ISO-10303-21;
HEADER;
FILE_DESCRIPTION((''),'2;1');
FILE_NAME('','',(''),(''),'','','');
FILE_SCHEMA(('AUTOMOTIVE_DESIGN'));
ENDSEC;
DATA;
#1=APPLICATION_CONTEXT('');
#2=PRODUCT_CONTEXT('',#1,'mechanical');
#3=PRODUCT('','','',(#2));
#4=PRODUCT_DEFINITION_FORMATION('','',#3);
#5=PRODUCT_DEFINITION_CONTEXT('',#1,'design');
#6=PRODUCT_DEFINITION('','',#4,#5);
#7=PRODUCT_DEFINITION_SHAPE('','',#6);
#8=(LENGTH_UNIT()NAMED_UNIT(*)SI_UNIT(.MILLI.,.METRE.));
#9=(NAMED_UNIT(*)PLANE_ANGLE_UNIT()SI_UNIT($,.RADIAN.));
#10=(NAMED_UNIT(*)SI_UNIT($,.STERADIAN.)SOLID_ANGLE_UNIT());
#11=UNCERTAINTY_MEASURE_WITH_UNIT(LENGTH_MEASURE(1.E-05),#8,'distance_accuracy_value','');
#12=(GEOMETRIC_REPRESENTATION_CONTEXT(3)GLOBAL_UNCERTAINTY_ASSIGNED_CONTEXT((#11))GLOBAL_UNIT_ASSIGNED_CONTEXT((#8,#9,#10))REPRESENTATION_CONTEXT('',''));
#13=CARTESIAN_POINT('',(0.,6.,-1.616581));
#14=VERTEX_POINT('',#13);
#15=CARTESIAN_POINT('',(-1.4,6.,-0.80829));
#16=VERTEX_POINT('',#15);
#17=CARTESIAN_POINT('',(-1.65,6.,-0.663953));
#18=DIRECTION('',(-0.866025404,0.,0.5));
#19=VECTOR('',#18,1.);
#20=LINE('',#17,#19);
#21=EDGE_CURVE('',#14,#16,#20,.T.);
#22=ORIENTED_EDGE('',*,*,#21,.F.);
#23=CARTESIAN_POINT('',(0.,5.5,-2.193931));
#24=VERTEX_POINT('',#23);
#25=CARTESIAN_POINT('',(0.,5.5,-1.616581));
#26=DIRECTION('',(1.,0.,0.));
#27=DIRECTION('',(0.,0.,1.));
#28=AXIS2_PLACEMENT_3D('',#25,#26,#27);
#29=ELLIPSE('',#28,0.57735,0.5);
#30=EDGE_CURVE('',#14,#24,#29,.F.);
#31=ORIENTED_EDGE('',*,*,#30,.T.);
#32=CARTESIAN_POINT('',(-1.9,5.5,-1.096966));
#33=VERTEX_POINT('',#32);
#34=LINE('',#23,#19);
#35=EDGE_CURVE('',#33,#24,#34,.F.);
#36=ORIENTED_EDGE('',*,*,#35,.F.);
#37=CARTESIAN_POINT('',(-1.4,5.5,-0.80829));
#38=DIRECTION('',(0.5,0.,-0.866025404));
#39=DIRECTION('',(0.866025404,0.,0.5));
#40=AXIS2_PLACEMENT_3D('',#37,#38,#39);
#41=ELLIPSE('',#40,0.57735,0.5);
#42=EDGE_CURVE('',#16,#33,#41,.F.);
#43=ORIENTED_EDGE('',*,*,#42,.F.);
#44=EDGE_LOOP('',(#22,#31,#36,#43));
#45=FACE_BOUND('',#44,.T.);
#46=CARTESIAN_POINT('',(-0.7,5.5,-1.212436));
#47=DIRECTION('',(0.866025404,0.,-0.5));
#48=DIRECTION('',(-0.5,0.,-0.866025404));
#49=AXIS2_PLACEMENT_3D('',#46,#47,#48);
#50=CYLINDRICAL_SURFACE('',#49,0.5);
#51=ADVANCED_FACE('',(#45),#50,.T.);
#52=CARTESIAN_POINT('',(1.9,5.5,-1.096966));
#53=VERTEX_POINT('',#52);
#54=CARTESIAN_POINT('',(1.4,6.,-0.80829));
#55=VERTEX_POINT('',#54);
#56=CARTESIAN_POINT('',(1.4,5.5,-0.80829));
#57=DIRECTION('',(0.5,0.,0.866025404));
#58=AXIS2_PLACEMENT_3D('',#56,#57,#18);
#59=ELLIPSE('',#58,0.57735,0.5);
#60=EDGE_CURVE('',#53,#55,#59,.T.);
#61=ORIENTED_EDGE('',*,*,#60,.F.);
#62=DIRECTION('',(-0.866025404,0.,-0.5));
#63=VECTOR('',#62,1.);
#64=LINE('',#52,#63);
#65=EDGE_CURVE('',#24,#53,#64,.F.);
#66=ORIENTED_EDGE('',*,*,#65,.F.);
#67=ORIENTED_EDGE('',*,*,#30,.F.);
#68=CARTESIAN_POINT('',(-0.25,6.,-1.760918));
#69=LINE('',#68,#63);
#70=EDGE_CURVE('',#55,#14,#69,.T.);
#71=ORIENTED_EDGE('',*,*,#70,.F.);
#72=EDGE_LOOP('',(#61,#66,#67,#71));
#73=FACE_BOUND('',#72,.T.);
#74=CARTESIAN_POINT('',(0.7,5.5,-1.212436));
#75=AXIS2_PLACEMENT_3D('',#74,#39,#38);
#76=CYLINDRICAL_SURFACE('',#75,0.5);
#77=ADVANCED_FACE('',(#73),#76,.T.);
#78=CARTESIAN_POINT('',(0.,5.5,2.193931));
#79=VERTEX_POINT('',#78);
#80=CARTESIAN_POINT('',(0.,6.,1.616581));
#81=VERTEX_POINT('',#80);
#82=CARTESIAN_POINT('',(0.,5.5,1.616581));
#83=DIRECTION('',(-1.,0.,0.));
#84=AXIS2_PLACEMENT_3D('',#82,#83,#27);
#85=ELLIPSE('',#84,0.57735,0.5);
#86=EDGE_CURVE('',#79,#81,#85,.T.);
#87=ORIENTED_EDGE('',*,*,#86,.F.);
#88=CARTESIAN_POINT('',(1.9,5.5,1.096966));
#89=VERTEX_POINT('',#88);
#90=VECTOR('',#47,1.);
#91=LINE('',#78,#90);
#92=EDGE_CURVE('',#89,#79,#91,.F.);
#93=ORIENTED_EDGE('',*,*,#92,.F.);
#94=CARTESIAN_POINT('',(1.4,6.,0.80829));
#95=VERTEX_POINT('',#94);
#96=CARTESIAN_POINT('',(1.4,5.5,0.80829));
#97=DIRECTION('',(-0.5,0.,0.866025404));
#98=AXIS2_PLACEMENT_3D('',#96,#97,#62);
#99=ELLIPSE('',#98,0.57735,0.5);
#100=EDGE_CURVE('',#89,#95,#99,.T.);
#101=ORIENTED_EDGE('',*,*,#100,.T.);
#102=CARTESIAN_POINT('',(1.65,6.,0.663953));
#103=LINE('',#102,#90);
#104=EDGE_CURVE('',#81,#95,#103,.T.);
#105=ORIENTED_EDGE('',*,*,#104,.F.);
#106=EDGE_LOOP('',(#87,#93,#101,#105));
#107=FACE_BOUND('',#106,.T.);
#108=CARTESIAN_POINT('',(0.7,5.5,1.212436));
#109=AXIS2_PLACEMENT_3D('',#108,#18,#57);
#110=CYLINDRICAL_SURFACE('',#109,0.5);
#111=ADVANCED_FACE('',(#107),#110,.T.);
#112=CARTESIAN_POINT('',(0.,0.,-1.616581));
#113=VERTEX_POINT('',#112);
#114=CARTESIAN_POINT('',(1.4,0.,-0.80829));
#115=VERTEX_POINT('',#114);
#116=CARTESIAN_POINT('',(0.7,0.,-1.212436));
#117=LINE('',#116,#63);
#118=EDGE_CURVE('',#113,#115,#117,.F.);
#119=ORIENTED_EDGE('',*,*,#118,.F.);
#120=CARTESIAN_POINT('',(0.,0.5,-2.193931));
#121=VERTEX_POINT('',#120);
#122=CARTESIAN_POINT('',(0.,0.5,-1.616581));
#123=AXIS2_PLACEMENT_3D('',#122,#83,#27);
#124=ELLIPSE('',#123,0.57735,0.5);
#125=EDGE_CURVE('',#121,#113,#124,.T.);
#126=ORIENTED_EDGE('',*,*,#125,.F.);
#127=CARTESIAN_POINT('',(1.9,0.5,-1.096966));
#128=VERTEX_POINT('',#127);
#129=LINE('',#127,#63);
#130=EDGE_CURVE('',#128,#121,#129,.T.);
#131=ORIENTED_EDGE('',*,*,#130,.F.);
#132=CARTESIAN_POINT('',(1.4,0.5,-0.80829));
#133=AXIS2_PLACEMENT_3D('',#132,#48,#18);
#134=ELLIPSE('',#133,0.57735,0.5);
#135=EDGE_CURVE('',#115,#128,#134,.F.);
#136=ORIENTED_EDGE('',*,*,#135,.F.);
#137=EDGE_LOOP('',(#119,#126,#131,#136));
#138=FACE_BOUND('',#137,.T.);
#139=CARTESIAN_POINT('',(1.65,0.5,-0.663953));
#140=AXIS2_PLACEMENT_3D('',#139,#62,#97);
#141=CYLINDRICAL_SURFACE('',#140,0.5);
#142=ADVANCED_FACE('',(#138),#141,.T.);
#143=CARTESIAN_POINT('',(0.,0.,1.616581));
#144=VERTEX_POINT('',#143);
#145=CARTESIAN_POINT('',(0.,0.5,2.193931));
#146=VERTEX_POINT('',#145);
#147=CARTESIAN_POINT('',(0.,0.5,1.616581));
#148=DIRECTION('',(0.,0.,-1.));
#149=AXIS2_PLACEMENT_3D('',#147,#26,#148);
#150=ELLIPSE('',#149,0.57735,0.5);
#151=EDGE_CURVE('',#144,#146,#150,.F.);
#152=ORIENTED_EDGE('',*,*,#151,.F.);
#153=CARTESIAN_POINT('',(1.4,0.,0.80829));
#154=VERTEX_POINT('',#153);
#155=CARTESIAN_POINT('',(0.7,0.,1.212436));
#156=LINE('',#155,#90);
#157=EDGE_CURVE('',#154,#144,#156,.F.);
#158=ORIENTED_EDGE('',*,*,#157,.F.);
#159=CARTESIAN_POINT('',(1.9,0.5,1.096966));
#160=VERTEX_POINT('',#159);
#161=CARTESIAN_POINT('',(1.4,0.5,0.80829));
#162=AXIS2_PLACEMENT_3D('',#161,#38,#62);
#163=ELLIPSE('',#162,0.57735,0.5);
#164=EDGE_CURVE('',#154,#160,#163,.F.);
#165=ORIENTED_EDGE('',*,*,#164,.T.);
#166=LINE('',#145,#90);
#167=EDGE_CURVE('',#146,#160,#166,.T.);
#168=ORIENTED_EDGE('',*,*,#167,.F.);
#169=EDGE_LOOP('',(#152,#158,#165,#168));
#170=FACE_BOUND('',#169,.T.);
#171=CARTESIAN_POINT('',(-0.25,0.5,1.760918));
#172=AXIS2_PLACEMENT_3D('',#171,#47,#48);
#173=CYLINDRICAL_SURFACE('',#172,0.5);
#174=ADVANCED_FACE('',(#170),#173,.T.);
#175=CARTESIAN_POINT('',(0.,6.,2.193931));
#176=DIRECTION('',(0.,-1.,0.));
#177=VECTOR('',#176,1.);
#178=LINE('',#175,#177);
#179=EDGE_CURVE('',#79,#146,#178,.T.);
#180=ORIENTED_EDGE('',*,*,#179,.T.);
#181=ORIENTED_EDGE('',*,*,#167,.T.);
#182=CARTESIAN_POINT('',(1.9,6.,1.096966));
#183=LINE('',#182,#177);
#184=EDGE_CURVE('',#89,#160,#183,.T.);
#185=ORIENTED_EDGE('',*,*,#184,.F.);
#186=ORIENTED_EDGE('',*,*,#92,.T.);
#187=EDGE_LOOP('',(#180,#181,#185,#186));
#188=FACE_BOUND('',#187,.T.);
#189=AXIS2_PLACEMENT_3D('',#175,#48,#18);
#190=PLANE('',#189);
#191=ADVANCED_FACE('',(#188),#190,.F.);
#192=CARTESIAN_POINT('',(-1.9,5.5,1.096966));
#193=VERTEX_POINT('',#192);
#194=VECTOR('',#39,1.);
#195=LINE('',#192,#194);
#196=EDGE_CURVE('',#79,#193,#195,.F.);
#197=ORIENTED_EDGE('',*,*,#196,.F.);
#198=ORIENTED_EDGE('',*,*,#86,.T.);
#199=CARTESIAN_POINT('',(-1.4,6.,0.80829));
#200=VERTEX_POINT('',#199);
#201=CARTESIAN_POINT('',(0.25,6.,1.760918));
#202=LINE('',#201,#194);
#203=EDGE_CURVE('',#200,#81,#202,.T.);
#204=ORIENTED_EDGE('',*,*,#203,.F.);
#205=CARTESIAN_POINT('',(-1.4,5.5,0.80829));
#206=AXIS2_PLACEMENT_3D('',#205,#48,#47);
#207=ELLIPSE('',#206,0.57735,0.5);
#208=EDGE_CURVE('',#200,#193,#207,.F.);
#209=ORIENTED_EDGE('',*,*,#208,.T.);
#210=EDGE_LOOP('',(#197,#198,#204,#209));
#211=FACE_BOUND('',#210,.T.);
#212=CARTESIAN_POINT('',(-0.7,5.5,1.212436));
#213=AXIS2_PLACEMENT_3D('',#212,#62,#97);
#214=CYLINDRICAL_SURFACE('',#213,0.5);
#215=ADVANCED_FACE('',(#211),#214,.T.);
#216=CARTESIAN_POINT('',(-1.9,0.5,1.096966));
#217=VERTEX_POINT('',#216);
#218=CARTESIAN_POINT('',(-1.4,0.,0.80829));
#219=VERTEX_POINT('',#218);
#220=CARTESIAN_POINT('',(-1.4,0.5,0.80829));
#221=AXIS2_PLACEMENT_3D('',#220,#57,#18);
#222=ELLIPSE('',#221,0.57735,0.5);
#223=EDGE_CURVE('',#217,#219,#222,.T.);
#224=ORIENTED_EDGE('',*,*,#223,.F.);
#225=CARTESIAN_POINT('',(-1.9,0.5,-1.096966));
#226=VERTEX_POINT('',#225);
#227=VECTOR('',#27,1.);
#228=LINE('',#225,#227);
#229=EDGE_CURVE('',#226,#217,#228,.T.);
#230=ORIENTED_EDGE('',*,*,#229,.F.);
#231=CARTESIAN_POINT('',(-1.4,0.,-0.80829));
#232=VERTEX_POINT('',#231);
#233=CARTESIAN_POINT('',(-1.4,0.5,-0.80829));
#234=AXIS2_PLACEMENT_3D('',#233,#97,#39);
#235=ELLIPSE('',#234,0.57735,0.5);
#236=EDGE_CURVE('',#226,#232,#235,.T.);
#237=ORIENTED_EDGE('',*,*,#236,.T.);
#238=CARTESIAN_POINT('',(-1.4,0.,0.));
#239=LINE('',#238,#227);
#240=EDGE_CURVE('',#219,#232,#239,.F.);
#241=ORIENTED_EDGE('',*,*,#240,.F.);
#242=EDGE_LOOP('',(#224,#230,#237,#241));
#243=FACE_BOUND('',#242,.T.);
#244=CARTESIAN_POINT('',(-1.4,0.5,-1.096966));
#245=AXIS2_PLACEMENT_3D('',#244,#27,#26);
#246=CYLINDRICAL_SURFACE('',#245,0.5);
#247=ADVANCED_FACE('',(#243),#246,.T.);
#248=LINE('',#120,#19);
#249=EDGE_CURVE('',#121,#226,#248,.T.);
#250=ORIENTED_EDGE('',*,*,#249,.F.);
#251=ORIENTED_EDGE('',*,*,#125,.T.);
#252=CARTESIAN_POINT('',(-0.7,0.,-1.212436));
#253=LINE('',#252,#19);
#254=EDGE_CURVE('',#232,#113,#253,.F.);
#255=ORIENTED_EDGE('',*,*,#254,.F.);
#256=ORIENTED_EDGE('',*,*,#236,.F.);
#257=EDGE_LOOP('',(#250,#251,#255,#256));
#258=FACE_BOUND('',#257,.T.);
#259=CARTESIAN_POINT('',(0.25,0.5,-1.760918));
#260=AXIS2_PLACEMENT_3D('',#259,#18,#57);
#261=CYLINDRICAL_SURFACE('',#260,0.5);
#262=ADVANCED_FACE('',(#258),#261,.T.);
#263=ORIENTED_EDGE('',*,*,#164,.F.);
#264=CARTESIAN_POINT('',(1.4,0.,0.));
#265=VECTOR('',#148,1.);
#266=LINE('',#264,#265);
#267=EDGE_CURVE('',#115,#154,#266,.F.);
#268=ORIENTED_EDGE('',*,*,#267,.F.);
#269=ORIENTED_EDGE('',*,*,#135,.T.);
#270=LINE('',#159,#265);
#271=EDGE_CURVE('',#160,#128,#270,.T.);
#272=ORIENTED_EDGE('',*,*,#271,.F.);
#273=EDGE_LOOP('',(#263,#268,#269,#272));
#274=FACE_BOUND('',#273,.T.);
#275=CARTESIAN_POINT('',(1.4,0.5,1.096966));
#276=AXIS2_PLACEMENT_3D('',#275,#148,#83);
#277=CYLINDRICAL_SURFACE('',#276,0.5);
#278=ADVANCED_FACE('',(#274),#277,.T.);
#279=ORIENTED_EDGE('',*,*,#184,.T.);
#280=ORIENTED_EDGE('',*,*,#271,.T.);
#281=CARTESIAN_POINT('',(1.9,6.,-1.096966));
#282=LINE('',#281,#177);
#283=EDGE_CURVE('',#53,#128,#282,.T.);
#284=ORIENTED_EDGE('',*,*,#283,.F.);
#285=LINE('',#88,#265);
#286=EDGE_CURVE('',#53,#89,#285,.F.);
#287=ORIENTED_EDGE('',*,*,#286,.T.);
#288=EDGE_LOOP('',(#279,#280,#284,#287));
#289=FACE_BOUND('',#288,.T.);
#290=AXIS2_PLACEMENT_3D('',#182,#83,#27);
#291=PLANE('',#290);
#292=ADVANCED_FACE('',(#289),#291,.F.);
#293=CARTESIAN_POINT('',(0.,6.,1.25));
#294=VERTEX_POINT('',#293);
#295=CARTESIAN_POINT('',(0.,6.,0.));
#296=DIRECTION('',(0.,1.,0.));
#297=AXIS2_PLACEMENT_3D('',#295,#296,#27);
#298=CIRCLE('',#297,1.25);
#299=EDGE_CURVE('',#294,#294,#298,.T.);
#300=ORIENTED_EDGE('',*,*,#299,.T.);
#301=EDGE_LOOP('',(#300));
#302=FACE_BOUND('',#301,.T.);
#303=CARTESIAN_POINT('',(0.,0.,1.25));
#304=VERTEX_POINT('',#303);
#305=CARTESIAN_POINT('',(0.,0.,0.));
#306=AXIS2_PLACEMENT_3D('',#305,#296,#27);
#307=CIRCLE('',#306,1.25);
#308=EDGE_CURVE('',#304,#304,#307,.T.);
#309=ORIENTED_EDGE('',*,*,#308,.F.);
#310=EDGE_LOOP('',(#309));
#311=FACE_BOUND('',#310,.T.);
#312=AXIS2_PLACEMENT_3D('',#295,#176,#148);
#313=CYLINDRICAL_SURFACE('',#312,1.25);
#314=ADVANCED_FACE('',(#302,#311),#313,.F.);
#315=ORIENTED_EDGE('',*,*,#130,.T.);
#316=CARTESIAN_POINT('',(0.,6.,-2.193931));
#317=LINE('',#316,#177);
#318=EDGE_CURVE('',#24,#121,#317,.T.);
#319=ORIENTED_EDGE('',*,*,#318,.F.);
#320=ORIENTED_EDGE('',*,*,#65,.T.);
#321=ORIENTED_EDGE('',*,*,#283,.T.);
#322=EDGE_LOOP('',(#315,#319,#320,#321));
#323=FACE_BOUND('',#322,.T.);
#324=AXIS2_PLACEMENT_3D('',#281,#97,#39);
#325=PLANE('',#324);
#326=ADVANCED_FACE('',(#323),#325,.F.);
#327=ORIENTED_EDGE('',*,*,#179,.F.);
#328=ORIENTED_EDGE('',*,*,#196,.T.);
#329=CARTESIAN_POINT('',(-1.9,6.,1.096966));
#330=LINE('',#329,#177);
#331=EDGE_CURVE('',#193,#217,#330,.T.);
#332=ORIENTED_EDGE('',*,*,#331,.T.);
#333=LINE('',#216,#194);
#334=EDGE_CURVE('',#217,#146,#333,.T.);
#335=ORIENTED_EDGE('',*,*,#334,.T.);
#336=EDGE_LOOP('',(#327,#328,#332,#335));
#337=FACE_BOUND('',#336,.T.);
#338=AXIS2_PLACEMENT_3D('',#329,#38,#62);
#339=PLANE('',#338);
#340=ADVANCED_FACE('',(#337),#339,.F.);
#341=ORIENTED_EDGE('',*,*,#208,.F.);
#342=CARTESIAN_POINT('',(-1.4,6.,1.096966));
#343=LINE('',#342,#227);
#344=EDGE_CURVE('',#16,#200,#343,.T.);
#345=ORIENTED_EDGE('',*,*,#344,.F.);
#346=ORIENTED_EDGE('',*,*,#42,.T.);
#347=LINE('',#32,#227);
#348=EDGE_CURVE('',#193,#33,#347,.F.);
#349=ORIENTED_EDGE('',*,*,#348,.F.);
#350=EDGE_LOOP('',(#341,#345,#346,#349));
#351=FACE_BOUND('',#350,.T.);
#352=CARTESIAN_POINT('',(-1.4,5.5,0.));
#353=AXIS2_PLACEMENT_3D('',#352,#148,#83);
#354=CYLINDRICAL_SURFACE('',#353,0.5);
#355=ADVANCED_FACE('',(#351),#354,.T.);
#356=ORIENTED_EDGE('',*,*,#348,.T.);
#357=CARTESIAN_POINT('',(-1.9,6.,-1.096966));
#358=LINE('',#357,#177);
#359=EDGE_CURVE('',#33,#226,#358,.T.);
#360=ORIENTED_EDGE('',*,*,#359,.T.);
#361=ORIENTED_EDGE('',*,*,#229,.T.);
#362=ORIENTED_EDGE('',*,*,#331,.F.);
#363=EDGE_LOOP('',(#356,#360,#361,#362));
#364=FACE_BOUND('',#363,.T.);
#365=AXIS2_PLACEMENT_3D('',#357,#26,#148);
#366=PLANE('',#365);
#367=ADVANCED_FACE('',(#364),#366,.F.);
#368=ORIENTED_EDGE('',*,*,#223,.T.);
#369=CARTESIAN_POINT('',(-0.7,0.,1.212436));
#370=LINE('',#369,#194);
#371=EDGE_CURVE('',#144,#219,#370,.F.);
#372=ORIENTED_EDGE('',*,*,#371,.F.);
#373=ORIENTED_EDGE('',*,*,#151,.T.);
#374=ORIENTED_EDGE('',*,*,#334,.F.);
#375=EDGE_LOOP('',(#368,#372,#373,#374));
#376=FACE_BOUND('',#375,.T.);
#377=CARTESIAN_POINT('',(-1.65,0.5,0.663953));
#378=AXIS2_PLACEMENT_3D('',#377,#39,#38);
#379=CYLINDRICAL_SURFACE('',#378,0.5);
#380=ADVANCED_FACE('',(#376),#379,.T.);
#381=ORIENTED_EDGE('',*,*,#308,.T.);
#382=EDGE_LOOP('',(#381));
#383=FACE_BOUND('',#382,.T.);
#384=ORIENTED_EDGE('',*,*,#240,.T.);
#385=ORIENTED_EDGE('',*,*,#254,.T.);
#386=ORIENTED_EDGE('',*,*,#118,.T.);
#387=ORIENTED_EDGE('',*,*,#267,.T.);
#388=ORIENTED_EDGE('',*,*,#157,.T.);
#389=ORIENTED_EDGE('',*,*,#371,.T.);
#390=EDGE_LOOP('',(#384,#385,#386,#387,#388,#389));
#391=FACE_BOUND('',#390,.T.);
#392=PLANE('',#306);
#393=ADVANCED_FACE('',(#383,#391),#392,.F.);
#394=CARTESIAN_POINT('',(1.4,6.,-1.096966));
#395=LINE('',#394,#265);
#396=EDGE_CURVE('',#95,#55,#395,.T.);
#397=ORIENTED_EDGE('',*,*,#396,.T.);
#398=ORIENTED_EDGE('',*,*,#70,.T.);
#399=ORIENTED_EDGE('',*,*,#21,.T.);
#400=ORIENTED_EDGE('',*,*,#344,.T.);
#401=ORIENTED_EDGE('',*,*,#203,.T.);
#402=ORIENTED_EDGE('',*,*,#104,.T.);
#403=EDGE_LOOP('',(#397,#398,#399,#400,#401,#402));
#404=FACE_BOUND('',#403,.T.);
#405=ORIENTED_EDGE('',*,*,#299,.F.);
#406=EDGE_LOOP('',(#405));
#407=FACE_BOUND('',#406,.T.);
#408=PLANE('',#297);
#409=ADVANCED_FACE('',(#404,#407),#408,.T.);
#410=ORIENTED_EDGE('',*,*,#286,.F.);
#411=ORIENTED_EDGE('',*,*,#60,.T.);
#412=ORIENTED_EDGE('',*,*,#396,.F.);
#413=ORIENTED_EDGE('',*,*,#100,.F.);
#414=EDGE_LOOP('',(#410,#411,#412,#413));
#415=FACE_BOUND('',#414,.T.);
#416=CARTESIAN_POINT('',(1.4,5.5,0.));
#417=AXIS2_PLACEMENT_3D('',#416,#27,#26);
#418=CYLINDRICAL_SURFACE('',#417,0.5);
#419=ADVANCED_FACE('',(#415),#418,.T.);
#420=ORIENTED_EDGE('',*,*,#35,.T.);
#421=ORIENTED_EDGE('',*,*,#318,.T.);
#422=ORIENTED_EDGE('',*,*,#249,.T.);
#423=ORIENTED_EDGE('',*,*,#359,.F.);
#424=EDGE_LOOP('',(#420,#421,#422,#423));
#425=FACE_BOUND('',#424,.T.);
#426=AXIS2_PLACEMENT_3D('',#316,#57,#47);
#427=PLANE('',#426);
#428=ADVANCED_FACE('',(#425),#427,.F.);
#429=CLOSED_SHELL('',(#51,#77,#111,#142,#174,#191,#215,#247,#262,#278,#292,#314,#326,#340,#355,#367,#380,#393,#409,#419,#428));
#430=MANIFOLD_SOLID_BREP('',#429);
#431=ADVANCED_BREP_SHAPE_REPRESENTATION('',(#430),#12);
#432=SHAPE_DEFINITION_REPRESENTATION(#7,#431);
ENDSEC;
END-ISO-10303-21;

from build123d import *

# Parameters (mm, degrees)
SKETCH_1_R      = 1.25
EXTRUDE_1_DEPTH = 6
FILLET_1_R      = 0.5


with BuildPart() as part:
    # 草图1 → 凸台-拉伸1 (new body)
    with BuildSketch(Plane(origin=(0, 0, 0), x_dir=(1, 0, 0), z_dir=(0, 1, 0))):
        Polygon((1.9, -1.096965511), (1.9, 1.096965511), (0, 2.193931023), (-1.9, 1.096965511), (-1.9, -1.096965511), (0, -2.193931023), align=None)
        Circle(SKETCH_1_R, mode=Mode.SUBTRACT)
    extrude(amount=EXTRUDE_1_DEPTH)

    # 圆角1
    fillet_1_edges = [part.edges().sort_by_distance(p)[0] for p in [
        (0.95, 6, -1.645448267),
        (-0.95, 6, -1.645448267),
        (-1.9, 6, 0),
        (-0.95, 6, 1.645448267),
        (0.95, 6, 1.645448267),
        (-0.95, 0, 1.645448267),
        (-1.9, 0, 0),
        (-0.95, 0, -1.645448267),
        (0.95, 0, -1.645448267),
        (1.9, 0, 0),
        (0.95, 0, 1.645448267),
        (1.9, 6, 0),
    ]]
    fillet(fillet_1_edges, radius=FILLET_1_R)


solid = part.part
